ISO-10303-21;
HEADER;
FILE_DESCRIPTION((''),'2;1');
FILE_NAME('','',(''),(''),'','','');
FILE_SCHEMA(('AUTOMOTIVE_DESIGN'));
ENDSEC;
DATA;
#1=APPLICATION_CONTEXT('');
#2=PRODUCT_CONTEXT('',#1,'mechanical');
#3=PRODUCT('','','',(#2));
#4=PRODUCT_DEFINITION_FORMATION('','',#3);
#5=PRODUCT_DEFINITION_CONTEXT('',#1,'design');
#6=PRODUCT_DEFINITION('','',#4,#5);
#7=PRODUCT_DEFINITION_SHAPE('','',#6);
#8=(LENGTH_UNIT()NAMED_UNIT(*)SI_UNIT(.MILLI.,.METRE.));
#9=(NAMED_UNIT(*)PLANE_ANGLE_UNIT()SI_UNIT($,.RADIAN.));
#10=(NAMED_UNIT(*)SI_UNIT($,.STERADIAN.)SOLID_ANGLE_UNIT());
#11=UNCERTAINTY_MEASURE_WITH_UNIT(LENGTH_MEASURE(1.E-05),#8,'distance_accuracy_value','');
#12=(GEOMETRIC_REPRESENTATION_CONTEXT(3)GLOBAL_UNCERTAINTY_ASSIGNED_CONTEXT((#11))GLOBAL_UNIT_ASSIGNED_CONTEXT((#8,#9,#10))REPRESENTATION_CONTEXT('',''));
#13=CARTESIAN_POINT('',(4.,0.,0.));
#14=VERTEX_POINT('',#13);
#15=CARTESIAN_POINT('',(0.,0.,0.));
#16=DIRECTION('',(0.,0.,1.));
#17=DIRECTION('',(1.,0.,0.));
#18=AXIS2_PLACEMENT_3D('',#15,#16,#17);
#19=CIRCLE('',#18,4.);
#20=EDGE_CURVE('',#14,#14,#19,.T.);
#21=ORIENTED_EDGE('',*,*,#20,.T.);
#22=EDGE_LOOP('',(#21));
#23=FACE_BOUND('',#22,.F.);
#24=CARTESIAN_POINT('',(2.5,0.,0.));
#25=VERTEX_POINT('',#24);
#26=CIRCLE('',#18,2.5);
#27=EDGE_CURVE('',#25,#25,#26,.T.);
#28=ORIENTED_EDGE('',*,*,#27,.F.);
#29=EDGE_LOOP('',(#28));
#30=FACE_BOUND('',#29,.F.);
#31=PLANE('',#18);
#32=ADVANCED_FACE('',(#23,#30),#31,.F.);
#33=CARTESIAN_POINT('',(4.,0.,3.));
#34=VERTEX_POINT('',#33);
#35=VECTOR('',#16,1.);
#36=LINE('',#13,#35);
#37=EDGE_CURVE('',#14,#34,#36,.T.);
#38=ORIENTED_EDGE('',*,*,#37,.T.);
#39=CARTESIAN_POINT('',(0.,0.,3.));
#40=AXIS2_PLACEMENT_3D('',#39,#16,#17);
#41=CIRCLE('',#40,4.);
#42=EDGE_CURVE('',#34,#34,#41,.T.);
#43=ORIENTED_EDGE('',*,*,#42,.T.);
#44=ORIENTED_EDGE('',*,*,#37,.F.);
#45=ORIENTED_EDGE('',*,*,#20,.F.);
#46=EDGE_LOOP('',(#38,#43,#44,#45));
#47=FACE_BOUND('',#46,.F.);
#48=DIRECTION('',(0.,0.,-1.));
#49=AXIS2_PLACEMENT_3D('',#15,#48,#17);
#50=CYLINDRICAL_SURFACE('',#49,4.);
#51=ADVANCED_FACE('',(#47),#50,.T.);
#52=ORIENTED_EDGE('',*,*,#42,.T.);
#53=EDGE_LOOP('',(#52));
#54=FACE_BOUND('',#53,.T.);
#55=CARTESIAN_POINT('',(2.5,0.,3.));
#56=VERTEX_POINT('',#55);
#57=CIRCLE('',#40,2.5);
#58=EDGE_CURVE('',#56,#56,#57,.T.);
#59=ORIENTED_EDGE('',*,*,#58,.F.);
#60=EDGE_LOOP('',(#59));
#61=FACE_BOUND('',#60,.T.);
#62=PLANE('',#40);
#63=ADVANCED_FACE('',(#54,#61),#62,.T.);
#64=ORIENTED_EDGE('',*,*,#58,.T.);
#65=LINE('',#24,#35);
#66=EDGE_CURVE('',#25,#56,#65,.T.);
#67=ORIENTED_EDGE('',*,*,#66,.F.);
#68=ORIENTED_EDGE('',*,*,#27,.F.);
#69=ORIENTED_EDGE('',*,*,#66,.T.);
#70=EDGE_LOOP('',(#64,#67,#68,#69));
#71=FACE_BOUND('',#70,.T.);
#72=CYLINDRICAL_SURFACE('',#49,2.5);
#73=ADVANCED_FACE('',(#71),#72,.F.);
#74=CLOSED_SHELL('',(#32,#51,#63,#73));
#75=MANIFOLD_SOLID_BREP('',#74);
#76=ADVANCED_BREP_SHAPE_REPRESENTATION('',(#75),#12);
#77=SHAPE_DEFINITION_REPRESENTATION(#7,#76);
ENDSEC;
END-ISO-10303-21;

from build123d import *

# Parameters (mm, degrees)
SKETCH_1_R      = 4
SKETCH_1_R_2    = 2.5
EXTRUDE_1_DEPTH = 3


with BuildPart() as part:
    # 草图1 → 凸台-拉伸1 (new body)
    with BuildSketch(Plane.XY):
        Circle(SKETCH_1_R)
        Circle(SKETCH_1_R_2, mode=Mode.SUBTRACT)
    extrude(amount=EXTRUDE_1_DEPTH)


solid = part.part
